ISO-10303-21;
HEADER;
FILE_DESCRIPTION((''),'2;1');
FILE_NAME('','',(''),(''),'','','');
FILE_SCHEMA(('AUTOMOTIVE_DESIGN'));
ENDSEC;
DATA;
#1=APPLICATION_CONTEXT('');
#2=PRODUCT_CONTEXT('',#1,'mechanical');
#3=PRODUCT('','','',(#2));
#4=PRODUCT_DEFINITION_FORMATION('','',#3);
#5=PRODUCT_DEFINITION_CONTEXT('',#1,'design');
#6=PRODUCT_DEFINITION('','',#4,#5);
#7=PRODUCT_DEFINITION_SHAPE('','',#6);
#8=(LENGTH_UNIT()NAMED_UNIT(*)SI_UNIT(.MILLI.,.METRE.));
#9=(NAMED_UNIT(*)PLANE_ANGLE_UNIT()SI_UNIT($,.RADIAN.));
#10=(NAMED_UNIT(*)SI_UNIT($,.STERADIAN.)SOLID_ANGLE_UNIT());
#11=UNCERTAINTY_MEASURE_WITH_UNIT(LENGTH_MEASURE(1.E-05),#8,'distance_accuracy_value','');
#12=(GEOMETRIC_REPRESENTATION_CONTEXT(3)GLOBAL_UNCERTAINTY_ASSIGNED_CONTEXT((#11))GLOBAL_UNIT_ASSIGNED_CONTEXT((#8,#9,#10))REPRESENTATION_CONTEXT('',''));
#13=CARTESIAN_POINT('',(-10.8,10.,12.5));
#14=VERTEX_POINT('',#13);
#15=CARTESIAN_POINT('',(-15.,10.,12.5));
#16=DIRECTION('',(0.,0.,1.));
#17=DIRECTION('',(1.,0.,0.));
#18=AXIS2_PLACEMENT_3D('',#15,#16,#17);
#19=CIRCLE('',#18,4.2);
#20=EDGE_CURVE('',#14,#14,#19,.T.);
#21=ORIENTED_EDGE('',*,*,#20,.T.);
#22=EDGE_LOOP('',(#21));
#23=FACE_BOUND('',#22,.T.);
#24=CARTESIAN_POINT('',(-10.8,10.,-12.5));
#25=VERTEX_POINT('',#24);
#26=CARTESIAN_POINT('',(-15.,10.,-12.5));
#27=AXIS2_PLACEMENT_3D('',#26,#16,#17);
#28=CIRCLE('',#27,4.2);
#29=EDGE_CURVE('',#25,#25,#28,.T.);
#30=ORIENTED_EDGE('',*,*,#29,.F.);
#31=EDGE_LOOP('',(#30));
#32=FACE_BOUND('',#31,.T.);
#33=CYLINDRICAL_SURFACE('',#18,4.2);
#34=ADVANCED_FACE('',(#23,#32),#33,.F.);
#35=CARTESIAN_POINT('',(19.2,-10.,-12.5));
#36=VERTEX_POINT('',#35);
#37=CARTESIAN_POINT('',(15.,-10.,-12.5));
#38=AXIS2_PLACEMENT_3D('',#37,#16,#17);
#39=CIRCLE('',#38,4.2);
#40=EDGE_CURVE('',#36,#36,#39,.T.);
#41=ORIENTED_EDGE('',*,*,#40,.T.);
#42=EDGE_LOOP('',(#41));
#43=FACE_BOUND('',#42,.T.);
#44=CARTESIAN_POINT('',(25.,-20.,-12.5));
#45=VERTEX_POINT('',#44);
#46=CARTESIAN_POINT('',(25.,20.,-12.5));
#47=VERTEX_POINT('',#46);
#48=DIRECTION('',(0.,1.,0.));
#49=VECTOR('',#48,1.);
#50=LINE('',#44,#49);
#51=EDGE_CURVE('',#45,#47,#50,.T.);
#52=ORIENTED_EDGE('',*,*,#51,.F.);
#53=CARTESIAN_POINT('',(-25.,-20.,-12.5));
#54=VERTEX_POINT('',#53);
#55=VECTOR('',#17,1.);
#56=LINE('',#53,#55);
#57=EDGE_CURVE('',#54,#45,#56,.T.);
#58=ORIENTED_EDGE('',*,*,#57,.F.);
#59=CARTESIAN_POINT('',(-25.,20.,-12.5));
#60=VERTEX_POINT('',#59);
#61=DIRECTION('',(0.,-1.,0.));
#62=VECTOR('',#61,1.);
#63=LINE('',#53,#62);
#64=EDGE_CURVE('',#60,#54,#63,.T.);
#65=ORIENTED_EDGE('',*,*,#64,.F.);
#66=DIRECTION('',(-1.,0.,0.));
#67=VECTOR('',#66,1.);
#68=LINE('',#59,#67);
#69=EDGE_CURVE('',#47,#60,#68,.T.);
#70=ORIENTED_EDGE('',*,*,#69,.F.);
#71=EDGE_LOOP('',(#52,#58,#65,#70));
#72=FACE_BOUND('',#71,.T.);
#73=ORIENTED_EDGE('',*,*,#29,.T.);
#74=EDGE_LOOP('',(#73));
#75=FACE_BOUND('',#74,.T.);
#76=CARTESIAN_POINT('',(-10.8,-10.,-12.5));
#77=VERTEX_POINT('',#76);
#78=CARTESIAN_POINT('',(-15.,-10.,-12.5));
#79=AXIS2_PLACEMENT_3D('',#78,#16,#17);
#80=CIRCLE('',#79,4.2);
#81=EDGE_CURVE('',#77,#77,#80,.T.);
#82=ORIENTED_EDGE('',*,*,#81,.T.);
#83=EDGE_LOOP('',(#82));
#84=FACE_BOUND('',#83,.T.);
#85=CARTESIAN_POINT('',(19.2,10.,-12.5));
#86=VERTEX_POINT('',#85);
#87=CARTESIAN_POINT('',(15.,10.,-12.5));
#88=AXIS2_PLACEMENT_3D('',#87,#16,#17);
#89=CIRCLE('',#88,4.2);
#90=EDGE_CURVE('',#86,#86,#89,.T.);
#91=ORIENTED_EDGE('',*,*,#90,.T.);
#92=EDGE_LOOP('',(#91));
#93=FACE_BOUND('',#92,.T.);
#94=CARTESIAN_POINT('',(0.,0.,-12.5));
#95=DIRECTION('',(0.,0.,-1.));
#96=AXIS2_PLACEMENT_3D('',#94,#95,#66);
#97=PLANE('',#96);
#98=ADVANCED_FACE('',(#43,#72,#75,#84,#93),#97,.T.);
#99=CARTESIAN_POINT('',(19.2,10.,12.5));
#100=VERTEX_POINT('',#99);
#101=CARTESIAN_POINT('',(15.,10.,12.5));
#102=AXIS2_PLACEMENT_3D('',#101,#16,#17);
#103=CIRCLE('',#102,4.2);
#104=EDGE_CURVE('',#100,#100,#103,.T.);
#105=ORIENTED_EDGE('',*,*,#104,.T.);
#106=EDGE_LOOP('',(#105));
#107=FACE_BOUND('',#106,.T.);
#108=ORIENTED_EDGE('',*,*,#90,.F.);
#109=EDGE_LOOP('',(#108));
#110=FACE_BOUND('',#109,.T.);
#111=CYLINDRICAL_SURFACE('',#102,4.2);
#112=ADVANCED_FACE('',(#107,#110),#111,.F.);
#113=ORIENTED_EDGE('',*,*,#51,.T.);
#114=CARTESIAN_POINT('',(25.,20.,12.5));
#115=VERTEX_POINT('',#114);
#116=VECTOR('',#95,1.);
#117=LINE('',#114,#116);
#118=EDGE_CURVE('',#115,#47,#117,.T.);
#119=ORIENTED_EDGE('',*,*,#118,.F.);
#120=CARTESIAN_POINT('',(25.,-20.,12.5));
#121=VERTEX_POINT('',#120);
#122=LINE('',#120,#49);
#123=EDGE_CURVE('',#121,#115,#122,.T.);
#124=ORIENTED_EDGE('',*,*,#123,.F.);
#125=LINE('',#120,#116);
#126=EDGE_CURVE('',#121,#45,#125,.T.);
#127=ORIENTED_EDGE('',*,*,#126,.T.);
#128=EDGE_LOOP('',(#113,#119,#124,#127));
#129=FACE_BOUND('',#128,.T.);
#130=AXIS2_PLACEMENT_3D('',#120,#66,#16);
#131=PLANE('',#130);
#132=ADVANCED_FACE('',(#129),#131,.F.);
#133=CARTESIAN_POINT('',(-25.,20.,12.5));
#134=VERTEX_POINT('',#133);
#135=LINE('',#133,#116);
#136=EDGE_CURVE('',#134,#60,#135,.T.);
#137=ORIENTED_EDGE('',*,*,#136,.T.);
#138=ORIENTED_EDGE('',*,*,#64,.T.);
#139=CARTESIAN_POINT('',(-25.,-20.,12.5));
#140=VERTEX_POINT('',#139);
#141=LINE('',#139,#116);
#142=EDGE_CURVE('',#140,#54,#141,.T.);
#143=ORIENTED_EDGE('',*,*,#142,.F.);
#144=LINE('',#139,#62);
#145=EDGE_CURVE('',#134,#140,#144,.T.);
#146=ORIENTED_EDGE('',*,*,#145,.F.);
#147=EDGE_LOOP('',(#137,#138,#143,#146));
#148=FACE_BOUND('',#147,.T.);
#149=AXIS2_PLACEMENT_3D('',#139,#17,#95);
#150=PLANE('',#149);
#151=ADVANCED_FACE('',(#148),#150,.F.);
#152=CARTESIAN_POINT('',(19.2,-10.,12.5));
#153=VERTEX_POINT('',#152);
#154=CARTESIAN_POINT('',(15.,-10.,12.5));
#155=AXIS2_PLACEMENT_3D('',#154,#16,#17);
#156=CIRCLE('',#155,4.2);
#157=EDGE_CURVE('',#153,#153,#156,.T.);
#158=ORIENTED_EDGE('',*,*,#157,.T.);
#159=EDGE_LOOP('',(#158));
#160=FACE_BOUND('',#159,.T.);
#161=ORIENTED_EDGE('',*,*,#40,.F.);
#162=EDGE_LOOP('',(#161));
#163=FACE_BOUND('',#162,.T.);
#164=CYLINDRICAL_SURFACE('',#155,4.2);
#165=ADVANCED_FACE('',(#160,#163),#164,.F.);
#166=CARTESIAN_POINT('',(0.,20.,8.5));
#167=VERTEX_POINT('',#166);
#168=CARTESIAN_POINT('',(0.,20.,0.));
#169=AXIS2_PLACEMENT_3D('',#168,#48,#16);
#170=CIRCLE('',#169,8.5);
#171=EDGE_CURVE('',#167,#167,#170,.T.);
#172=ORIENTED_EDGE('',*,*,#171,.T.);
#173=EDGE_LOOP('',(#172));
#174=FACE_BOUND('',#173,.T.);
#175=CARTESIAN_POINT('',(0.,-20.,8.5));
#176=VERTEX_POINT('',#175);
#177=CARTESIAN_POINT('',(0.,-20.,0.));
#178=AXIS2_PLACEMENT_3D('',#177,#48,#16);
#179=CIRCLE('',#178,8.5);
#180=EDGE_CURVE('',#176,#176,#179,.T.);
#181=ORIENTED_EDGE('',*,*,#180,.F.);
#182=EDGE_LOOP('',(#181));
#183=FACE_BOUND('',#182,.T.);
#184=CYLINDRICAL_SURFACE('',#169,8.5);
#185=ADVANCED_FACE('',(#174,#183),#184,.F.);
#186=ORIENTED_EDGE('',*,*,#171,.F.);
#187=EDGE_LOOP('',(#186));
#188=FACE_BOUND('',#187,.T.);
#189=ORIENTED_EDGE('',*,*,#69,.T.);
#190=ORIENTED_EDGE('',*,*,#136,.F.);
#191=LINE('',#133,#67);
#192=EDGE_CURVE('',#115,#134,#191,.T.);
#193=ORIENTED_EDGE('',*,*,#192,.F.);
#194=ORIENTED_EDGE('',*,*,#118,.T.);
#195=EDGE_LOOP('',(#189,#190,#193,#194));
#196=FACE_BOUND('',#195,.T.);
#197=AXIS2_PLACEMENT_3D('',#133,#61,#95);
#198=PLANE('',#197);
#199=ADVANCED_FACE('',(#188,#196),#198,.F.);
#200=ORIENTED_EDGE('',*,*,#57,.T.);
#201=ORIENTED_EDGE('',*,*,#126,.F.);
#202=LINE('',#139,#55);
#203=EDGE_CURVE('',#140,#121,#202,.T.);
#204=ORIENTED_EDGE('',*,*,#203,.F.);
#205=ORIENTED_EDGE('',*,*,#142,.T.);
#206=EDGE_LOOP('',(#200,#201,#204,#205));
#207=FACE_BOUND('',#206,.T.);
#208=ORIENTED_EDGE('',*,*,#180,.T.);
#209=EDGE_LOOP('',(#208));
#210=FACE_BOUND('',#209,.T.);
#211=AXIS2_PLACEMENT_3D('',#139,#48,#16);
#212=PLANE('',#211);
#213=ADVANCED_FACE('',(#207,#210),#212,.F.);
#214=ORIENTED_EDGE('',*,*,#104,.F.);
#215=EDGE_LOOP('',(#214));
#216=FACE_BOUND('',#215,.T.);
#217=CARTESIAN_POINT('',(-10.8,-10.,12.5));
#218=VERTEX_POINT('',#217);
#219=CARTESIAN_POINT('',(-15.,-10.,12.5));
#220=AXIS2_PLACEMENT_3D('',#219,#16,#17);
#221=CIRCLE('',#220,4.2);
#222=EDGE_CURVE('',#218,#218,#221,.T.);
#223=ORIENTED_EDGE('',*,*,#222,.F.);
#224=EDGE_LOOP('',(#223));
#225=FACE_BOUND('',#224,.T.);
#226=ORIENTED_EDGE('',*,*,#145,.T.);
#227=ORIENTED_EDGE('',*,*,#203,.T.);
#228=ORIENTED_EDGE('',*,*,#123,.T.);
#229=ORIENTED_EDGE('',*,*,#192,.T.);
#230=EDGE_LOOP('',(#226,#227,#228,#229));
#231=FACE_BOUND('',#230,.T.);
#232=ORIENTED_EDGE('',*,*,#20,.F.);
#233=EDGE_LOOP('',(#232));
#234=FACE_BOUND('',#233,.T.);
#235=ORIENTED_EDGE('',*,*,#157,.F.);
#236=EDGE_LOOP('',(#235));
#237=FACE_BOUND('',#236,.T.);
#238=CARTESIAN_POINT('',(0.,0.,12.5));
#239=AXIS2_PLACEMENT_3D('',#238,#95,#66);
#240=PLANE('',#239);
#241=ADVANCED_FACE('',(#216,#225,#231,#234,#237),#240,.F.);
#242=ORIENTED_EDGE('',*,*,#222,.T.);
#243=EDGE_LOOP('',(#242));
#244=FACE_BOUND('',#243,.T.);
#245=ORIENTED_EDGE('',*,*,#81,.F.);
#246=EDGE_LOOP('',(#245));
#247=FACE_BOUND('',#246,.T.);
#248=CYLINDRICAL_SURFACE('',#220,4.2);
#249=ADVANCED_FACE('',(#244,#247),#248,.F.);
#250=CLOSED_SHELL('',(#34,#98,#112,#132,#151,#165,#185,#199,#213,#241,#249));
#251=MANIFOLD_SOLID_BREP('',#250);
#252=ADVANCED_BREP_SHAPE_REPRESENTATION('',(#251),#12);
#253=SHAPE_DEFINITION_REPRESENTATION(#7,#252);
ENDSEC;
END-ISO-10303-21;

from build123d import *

# Parameters (mm, degrees)
CROQUIS1_W                    = 50
CROQUIS1_H                    = 40
SALIENTE_EXTRUIR1_DEPTH       = 12.5
TALADRO_DE_MARGEN_PARA_M81_D  = 8.4
TALADRO_DE_MARGEN_PARA_M161_D = 17


with BuildPart() as part:
    # Croquis1 → Saliente-Extruir1 (new body, symmetric)
    with BuildSketch(Plane.XY):
        Rectangle(CROQUIS1_W, CROQUIS1_H)
    extrude(amount=SALIENTE_EXTRUIR1_DEPTH, both=True)

    # Taladro de margen para M81 (through all)
    with Locations(Plane.XY.offset(12.5)):
        with Locations((-15, 10), (-15, -10), (15, -10), (15, 10)):
            Hole(TALADRO_DE_MARGEN_PARA_M81_D / 2)

    # Taladro de margen para M161 (through all)
    with Locations(Plane(origin=(0, 20, 0), x_dir=(1, 0, 0), z_dir=(0, 1, 0))):
        with Locations((0, 0)):
            Hole(TALADRO_DE_MARGEN_PARA_M161_D / 2)


solid = part.part
